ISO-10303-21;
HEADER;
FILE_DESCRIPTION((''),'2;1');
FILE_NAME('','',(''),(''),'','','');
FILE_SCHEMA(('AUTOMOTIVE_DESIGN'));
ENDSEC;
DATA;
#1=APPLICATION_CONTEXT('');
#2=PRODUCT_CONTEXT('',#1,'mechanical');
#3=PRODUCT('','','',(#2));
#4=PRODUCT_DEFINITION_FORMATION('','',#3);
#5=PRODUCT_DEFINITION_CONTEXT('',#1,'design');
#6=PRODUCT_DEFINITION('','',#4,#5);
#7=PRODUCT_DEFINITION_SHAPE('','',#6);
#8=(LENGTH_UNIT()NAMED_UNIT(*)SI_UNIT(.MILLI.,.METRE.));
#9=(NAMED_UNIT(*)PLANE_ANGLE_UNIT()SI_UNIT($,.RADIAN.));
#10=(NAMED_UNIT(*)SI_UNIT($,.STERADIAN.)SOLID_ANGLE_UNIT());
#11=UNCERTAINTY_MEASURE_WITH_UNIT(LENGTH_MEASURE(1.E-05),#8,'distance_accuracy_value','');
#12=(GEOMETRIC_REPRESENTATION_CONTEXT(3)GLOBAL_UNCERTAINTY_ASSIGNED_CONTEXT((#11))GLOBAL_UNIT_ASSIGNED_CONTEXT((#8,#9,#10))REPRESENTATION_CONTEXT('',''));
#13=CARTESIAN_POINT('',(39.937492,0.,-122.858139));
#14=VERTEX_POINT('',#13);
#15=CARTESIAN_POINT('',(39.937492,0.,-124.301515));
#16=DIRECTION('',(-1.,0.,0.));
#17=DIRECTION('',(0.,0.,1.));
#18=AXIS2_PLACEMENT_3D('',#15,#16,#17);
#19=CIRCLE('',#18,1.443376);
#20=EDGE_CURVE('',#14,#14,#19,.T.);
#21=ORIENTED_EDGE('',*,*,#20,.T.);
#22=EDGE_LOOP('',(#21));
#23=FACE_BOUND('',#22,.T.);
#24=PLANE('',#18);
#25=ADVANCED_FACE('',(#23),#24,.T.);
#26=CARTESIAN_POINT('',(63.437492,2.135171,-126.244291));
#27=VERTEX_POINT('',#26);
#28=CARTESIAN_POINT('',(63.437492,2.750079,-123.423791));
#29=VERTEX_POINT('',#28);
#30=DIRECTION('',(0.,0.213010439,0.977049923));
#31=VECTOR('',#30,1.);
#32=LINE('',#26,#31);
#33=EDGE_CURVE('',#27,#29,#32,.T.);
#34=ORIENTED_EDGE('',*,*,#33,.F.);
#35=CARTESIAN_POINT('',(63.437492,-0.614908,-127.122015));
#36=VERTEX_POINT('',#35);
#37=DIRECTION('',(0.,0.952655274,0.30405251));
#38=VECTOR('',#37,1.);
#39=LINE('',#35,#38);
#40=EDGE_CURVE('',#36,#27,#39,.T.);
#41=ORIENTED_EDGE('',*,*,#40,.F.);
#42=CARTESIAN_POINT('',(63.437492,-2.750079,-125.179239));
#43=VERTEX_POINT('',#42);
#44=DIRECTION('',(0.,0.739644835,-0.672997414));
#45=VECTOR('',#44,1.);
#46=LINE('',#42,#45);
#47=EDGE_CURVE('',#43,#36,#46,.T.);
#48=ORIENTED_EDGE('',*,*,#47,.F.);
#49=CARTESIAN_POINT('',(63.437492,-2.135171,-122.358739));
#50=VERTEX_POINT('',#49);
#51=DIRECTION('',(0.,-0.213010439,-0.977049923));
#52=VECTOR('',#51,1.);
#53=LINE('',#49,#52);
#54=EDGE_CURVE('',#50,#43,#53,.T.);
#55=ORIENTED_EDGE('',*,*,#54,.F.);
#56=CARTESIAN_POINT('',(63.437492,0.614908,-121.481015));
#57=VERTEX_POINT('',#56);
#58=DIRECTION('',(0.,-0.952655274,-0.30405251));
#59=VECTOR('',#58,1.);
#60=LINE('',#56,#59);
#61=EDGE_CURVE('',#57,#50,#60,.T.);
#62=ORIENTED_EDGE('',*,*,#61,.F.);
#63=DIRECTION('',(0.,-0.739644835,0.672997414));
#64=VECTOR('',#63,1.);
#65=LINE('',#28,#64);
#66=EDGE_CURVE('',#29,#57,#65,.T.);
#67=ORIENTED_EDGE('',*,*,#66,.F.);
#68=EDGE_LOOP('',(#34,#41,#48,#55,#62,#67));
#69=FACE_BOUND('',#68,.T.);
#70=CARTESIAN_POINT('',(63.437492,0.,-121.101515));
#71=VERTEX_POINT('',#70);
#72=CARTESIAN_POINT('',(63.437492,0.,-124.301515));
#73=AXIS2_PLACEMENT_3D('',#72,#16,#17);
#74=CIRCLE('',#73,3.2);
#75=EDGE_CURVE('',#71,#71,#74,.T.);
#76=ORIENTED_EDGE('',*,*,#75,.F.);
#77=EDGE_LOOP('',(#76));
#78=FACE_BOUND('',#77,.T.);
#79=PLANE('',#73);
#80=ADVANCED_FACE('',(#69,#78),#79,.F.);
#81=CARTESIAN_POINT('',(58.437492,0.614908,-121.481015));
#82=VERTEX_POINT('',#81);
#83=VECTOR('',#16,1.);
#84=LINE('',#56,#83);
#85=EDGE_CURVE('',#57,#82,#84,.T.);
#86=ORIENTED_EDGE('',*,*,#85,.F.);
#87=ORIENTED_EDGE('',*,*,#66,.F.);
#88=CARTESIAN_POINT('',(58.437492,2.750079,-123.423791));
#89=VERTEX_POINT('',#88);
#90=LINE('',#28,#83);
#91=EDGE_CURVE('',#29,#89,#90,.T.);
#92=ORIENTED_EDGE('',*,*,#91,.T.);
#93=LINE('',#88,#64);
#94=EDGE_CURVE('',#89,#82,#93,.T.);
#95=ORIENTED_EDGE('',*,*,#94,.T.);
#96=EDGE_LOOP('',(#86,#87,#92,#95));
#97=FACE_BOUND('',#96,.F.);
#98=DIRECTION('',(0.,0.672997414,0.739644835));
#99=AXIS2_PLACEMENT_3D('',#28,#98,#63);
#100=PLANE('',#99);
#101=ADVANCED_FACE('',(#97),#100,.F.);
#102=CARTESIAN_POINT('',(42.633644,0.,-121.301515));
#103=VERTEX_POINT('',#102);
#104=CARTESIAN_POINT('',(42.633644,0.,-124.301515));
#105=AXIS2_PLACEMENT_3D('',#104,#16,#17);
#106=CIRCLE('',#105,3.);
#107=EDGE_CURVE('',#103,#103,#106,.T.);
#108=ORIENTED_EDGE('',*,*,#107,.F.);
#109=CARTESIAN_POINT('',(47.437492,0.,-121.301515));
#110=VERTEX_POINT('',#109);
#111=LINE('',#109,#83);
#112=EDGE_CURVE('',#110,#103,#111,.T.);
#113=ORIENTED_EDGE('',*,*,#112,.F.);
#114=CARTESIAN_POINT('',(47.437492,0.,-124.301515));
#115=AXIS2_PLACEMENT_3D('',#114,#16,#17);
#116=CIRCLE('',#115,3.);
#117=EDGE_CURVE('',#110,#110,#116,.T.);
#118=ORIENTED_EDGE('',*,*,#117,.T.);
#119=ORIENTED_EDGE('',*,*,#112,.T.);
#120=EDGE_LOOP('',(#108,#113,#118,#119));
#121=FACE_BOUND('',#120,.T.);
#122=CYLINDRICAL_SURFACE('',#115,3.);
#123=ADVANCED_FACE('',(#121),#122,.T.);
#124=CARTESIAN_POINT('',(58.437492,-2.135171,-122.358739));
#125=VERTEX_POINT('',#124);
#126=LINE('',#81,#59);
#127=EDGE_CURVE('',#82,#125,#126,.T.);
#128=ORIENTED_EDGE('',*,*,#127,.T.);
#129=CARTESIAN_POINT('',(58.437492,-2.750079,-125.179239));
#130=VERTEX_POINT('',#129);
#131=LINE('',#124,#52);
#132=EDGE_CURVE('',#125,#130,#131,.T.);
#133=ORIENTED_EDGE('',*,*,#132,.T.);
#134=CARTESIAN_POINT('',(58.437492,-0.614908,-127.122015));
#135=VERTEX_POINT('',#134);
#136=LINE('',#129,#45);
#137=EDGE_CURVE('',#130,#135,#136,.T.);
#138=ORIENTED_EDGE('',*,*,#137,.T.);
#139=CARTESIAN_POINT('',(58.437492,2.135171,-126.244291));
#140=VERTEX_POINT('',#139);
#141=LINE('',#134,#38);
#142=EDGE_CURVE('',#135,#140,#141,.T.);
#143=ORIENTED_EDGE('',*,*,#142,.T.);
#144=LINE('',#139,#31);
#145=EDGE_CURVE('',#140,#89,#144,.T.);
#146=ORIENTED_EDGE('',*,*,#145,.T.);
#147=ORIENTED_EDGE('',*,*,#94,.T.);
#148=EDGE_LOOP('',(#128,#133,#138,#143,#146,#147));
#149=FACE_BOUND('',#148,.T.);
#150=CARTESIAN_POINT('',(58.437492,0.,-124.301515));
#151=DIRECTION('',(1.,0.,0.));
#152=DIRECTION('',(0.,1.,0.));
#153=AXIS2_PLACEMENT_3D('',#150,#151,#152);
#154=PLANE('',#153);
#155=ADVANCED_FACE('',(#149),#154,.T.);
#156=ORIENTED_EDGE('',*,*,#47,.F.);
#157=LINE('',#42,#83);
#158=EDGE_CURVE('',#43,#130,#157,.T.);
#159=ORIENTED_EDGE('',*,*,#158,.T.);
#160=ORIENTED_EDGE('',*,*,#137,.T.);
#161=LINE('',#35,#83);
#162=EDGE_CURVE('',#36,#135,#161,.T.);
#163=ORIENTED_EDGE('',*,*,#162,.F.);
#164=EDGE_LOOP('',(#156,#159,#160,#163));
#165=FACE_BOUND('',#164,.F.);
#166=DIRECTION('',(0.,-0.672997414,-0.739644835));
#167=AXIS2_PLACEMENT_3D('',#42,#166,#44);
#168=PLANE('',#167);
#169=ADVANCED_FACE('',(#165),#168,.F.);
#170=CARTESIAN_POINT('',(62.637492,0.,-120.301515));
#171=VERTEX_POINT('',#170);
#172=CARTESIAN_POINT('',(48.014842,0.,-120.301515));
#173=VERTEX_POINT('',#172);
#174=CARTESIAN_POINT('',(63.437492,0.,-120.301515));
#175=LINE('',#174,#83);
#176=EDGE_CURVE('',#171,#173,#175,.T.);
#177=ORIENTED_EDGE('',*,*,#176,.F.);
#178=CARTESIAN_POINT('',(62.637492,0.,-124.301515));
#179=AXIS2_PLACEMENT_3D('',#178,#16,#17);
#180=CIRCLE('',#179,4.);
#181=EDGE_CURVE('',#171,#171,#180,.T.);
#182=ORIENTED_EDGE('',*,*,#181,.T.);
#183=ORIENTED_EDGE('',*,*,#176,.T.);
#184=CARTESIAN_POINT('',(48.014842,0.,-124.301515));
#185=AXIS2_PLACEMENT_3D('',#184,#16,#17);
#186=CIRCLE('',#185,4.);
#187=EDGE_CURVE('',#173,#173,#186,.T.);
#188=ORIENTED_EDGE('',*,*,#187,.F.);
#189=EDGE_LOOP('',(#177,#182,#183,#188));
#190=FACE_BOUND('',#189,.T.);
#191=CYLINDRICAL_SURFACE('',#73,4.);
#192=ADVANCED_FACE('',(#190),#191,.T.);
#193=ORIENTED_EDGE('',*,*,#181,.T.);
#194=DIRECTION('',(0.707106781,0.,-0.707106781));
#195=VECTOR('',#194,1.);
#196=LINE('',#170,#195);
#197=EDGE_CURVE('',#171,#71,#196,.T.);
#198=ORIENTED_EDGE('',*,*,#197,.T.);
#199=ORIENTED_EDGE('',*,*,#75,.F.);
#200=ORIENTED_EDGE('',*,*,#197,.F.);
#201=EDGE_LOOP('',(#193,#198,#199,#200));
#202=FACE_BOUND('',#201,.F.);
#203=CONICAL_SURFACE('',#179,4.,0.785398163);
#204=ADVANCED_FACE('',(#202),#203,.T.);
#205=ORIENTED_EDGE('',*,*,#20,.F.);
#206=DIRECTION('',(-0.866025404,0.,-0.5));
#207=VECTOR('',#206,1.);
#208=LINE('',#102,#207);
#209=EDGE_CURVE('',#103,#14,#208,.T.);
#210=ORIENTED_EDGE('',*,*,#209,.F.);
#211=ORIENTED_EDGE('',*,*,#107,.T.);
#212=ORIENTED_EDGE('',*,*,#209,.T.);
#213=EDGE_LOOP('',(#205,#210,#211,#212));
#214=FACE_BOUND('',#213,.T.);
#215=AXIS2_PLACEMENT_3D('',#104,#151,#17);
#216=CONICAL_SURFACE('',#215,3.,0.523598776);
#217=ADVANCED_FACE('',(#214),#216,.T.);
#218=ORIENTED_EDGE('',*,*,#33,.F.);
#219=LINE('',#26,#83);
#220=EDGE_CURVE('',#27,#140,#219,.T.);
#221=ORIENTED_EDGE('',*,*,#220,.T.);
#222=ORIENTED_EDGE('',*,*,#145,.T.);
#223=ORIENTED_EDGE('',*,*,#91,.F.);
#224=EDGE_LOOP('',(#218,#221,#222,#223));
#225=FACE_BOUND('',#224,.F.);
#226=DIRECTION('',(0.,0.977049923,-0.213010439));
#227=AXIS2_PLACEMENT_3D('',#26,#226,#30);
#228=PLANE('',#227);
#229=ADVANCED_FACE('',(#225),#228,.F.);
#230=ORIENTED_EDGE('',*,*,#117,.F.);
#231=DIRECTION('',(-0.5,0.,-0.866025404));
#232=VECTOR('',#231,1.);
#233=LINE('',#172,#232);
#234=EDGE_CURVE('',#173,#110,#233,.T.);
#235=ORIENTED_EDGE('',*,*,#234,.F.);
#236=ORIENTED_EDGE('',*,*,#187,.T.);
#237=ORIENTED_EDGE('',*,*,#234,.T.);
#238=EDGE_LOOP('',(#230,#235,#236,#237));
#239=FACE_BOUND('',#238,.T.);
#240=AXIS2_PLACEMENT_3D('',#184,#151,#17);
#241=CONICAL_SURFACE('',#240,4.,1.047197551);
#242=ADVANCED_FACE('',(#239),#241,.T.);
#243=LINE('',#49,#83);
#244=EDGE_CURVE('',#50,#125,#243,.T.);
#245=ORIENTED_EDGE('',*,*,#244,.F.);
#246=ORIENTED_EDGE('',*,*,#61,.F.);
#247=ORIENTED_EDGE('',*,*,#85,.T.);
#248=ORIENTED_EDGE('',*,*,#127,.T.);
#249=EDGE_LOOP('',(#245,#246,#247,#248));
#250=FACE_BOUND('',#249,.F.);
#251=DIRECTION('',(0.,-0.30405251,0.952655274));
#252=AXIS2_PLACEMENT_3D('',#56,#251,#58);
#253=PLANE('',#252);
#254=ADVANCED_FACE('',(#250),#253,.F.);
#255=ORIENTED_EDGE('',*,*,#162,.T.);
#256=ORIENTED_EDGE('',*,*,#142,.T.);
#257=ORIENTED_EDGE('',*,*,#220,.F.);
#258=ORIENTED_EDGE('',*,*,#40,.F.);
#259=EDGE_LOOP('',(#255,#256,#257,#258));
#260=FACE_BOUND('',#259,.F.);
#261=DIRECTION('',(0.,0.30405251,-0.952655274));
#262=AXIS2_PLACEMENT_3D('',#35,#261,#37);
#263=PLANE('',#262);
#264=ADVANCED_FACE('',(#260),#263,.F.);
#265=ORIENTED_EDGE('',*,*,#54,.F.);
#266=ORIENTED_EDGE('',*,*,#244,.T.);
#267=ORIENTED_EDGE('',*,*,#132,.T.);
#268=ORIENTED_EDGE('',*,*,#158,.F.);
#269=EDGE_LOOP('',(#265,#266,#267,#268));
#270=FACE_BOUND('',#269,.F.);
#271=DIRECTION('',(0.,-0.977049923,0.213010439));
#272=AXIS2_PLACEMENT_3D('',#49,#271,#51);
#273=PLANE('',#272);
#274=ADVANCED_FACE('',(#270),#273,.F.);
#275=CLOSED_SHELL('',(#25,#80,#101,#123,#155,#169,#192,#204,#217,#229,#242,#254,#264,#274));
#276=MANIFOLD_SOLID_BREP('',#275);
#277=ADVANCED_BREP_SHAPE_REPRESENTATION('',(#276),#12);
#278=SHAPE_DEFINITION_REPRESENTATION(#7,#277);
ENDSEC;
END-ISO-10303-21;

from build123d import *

# Parameters (mm, degrees)
F3_DEPTH = 5
F4_SIZE  = 0.8


with BuildPart() as f1:
    # F0 (on Front) → F1 (revolve)
    with BuildSketch(Plane.XZ):
        Polygon((42.6336441377, -121.3015150939), (39.937491715, -122.8581394209), (39.937491715, -124.3015150939), (63.437491715, -124.3015150939), (63.437491715, -120.3015150939), (48.0148419841, -120.3015150939), (47.437491715, -121.3015150939), align=None)
    revolve(axis=Axis((51.687491715, 0, -124.3015150939), (-1, 0, 0)))

    # F2 (on face) → F3 (cut)
    with BuildSketch(Plane.YZ.offset(63.437491715)):
        Polygon((2.7500788948, -123.423791102), (0.6149081729, -121.4810149127), (-2.1351707219, -122.3587389045), (-2.7500788948, -125.1792390858), (-0.6149081729, -127.1220152751), (2.1351707219, -126.2442912832), align=None)
    extrude(amount=-F3_DEPTH, mode=Mode.SUBTRACT)

    # F4
    f4_edges = [f1.edges().sort_by_distance(p)[0] for p in [
        (63.437492, 0, -128.301515),
    ]]
    chamfer(f4_edges, length=F4_SIZE)


solid = f1.part
